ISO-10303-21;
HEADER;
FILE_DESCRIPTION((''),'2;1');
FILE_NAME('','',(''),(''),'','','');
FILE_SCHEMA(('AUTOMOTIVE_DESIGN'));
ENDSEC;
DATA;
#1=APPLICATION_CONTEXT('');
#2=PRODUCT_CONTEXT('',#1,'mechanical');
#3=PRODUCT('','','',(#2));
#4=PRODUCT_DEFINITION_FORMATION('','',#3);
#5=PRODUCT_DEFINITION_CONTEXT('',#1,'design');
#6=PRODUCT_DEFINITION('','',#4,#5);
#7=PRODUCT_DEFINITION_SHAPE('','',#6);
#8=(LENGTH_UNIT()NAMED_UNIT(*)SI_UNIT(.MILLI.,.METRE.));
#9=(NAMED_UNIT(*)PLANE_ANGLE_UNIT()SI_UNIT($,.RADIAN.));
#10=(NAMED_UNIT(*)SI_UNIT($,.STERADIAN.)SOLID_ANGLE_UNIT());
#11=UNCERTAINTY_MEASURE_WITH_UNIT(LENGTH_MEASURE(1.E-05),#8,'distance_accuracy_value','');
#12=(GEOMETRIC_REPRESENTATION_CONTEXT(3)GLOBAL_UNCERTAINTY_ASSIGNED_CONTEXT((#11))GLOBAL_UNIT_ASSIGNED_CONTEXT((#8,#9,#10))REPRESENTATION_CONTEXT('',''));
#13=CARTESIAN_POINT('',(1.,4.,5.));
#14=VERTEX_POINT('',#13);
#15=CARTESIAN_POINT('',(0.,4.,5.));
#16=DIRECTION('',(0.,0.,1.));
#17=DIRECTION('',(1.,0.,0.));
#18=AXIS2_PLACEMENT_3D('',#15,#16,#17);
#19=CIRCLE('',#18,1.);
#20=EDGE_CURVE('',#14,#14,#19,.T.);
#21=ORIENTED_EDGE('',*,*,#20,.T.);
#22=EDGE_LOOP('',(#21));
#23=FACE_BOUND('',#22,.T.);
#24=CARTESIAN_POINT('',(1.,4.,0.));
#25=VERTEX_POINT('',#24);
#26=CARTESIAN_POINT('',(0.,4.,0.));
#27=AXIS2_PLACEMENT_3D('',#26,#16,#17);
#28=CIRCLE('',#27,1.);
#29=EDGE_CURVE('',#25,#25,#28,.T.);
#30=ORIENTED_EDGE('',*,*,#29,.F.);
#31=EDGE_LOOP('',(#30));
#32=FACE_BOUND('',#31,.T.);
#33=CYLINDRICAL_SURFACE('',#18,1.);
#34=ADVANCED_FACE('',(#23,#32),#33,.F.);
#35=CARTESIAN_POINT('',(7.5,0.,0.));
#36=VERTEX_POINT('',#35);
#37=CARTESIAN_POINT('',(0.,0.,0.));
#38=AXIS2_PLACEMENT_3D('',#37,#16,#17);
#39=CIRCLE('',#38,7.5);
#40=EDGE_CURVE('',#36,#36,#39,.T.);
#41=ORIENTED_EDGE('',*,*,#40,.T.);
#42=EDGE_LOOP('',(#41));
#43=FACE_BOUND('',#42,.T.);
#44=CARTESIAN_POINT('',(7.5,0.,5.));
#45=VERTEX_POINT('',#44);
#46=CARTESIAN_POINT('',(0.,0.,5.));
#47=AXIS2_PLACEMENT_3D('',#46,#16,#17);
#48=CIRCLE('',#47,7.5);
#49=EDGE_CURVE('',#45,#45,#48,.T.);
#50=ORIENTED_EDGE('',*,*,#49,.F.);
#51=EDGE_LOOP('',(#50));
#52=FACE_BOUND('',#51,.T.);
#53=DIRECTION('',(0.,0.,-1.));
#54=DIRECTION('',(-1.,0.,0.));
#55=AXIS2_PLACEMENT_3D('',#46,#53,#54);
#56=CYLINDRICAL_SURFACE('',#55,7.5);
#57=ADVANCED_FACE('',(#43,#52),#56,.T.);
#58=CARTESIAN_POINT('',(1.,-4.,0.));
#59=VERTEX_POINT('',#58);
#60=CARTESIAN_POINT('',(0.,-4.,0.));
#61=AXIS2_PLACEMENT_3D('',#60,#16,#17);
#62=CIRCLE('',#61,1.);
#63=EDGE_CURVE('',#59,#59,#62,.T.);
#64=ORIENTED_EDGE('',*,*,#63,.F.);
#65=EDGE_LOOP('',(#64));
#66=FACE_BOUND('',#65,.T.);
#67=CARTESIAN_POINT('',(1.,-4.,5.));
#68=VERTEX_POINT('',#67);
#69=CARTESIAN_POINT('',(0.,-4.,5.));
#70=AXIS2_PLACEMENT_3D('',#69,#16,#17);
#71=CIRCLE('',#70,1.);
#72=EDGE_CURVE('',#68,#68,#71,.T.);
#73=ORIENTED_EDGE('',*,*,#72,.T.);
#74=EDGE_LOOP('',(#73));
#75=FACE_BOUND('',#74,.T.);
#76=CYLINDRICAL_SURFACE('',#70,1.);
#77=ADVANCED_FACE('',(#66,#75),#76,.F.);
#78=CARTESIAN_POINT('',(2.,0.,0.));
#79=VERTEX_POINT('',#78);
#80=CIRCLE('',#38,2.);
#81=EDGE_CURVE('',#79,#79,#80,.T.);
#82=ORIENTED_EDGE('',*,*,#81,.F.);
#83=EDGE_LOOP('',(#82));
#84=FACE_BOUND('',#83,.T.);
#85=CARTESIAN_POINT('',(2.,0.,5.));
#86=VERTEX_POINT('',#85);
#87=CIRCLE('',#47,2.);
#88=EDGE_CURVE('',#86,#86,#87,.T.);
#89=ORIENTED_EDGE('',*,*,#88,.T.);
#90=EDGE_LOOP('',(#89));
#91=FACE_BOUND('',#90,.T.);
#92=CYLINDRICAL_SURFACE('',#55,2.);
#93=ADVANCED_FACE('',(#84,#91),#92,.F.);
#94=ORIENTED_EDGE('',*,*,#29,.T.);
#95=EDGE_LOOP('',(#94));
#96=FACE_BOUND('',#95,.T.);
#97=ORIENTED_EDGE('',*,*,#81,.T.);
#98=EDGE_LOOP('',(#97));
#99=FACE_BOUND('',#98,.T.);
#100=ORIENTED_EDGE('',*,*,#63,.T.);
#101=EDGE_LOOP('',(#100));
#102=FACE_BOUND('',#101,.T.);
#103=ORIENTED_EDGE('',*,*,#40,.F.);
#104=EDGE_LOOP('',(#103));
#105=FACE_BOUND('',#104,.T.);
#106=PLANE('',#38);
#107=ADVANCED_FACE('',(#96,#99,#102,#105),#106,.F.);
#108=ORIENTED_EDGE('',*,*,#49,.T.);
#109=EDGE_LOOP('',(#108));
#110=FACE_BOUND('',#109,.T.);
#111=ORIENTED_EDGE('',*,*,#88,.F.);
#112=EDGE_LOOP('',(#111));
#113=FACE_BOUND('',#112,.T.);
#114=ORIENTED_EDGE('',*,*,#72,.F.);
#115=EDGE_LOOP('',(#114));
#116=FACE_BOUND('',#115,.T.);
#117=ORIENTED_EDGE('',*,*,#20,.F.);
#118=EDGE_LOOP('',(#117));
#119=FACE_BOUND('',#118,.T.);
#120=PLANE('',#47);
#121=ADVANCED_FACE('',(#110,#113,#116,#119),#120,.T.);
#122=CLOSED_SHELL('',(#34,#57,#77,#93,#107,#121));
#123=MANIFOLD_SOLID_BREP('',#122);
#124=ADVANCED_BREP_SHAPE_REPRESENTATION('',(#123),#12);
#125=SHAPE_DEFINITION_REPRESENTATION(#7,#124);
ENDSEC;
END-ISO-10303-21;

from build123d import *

# Parameters (mm, degrees)
SKETCH_1_R            = 7.5
SKETCH_1_R_2          = 2
EXTRUDE_1_DEPTH       = 5
HOLE_WIZARD_2_0_2_1_D = 2


with BuildPart() as part:
    # 草图1 → 凸台-拉伸1 (new body)
    with BuildSketch(Plane.XY):
        Circle(SKETCH_1_R)
        Circle(SKETCH_1_R_2, mode=Mode.SUBTRACT)
    extrude(amount=EXTRUDE_1_DEPTH)

    # Ø2.0 (2) 直径孔1 (through all)
    with Locations(Plane.XY.offset(5)):
        with Locations((0, -4), (0, 4)):
            Hole(HOLE_WIZARD_2_0_2_1_D / 2)


solid = part.part
